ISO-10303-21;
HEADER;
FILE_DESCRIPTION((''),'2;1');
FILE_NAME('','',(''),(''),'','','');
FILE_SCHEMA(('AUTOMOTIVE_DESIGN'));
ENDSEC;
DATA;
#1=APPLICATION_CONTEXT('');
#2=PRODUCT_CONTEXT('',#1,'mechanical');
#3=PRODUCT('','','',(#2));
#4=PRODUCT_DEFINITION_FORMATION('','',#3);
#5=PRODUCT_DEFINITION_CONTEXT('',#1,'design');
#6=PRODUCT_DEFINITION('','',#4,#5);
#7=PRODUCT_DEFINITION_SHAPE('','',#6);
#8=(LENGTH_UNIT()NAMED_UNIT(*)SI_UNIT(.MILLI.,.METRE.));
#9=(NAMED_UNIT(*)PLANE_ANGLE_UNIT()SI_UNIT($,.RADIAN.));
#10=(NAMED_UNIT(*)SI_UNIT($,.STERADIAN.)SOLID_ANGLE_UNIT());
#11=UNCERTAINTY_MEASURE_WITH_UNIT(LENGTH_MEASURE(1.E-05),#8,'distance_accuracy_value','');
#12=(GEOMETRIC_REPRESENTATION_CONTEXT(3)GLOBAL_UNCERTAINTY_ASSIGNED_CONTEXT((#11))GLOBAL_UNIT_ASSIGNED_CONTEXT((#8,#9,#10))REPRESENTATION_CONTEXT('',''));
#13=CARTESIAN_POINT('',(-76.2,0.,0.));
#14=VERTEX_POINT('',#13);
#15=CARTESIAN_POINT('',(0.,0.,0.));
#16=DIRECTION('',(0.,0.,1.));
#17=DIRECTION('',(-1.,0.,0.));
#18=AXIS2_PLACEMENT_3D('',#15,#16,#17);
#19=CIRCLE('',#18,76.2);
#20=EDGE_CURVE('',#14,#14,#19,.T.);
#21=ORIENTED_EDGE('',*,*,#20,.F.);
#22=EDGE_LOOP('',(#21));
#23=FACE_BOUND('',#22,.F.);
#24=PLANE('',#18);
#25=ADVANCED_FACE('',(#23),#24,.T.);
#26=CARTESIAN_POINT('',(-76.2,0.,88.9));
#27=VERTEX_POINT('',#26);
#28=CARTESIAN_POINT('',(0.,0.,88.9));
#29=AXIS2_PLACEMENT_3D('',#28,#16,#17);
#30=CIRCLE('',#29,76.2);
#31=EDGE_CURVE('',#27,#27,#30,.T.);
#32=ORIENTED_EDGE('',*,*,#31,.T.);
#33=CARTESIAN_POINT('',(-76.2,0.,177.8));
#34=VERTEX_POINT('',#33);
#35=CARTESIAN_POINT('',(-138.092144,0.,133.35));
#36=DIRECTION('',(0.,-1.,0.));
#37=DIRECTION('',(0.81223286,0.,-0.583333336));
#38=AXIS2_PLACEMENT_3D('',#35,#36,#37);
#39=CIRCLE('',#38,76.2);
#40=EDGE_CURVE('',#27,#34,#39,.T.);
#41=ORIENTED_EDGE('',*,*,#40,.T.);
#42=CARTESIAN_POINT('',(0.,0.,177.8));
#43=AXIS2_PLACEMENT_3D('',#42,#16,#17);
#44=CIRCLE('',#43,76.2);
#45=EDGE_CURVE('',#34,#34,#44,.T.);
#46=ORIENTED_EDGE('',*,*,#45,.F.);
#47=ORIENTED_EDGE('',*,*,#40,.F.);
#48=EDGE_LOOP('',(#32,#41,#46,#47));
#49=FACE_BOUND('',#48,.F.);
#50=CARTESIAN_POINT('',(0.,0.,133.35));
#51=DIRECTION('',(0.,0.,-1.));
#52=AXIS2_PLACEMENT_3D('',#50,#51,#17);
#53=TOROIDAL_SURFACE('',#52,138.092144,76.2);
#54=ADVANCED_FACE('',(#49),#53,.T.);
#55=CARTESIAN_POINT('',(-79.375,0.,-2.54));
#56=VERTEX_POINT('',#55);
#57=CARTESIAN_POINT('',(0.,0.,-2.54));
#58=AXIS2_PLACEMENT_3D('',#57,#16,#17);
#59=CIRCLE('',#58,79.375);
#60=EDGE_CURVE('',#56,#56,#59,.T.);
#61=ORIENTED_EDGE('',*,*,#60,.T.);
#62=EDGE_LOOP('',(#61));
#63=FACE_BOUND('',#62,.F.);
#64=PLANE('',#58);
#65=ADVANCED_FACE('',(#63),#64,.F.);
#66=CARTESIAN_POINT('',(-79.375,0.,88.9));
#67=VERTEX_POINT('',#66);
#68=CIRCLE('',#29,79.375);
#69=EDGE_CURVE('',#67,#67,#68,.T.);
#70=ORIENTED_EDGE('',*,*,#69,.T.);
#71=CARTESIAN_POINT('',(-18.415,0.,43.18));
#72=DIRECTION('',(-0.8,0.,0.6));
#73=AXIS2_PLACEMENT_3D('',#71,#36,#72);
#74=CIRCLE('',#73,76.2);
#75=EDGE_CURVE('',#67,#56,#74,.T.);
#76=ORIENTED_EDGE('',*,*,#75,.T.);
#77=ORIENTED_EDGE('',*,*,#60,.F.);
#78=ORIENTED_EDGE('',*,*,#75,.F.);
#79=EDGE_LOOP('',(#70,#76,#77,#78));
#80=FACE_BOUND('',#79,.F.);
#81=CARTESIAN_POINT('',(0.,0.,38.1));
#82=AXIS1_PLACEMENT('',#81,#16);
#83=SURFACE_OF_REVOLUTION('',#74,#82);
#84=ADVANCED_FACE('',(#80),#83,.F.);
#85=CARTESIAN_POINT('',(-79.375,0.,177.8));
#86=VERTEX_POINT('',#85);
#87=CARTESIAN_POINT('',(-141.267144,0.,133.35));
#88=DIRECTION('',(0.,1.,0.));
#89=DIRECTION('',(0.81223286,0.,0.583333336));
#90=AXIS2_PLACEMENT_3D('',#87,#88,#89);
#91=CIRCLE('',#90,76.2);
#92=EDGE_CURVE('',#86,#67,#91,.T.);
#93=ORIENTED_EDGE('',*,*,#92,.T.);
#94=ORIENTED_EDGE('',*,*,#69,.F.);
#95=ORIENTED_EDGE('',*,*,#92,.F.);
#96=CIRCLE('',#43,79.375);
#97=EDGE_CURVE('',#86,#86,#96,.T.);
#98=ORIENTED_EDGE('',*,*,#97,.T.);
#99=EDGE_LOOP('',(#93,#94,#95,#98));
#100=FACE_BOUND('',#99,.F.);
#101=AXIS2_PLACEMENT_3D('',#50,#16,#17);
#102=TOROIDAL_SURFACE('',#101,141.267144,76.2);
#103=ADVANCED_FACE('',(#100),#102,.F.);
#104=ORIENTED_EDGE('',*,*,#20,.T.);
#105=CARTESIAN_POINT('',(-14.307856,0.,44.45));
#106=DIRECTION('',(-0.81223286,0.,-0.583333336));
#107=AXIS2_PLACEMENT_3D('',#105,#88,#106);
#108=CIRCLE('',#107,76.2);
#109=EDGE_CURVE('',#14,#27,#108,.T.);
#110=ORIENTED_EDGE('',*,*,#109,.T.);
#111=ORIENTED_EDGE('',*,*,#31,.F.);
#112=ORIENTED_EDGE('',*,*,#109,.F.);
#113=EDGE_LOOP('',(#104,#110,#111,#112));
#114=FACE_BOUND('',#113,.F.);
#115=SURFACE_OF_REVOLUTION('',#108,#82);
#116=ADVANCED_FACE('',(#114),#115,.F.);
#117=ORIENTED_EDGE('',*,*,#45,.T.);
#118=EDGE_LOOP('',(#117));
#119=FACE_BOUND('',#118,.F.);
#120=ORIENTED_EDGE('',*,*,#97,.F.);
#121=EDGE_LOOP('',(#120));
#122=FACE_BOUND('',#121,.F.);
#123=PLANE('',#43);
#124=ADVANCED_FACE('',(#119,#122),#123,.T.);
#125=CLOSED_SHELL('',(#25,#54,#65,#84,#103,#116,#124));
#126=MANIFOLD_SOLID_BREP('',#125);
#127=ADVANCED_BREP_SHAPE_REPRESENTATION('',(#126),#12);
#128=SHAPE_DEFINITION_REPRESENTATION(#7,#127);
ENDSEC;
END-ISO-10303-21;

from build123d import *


with BuildPart() as f1:
    # F0 (on Front) → F1 (revolve)
    with BuildSketch(Plane.XZ):
        with BuildLine():
            ThreePointArc((-76.2, 0), (-90.507856, 44.45), (-76.2, 88.9))
            ThreePointArc((-76.2, 88.9), (-61.892144, 133.35), (-76.2, 177.8))
            Line((-76.2, 177.8), (-79.375, 177.8))
            ThreePointArc((-79.375, 177.8), (-65.067144, 133.35), (-79.375, 88.9))
            ThreePointArc((-79.375, 88.9), (-94.615, 43.18), (-79.375, -2.54))
            Line((-79.375, -2.54), (0, -2.54))
            Line((0, -2.54), (0, 0))
            Line((0, 0), (-76.2, 0))
        make_face()
    revolve(axis=Axis((0, 0, 38.1), (0, 0, 1)))


solid = f1.part
